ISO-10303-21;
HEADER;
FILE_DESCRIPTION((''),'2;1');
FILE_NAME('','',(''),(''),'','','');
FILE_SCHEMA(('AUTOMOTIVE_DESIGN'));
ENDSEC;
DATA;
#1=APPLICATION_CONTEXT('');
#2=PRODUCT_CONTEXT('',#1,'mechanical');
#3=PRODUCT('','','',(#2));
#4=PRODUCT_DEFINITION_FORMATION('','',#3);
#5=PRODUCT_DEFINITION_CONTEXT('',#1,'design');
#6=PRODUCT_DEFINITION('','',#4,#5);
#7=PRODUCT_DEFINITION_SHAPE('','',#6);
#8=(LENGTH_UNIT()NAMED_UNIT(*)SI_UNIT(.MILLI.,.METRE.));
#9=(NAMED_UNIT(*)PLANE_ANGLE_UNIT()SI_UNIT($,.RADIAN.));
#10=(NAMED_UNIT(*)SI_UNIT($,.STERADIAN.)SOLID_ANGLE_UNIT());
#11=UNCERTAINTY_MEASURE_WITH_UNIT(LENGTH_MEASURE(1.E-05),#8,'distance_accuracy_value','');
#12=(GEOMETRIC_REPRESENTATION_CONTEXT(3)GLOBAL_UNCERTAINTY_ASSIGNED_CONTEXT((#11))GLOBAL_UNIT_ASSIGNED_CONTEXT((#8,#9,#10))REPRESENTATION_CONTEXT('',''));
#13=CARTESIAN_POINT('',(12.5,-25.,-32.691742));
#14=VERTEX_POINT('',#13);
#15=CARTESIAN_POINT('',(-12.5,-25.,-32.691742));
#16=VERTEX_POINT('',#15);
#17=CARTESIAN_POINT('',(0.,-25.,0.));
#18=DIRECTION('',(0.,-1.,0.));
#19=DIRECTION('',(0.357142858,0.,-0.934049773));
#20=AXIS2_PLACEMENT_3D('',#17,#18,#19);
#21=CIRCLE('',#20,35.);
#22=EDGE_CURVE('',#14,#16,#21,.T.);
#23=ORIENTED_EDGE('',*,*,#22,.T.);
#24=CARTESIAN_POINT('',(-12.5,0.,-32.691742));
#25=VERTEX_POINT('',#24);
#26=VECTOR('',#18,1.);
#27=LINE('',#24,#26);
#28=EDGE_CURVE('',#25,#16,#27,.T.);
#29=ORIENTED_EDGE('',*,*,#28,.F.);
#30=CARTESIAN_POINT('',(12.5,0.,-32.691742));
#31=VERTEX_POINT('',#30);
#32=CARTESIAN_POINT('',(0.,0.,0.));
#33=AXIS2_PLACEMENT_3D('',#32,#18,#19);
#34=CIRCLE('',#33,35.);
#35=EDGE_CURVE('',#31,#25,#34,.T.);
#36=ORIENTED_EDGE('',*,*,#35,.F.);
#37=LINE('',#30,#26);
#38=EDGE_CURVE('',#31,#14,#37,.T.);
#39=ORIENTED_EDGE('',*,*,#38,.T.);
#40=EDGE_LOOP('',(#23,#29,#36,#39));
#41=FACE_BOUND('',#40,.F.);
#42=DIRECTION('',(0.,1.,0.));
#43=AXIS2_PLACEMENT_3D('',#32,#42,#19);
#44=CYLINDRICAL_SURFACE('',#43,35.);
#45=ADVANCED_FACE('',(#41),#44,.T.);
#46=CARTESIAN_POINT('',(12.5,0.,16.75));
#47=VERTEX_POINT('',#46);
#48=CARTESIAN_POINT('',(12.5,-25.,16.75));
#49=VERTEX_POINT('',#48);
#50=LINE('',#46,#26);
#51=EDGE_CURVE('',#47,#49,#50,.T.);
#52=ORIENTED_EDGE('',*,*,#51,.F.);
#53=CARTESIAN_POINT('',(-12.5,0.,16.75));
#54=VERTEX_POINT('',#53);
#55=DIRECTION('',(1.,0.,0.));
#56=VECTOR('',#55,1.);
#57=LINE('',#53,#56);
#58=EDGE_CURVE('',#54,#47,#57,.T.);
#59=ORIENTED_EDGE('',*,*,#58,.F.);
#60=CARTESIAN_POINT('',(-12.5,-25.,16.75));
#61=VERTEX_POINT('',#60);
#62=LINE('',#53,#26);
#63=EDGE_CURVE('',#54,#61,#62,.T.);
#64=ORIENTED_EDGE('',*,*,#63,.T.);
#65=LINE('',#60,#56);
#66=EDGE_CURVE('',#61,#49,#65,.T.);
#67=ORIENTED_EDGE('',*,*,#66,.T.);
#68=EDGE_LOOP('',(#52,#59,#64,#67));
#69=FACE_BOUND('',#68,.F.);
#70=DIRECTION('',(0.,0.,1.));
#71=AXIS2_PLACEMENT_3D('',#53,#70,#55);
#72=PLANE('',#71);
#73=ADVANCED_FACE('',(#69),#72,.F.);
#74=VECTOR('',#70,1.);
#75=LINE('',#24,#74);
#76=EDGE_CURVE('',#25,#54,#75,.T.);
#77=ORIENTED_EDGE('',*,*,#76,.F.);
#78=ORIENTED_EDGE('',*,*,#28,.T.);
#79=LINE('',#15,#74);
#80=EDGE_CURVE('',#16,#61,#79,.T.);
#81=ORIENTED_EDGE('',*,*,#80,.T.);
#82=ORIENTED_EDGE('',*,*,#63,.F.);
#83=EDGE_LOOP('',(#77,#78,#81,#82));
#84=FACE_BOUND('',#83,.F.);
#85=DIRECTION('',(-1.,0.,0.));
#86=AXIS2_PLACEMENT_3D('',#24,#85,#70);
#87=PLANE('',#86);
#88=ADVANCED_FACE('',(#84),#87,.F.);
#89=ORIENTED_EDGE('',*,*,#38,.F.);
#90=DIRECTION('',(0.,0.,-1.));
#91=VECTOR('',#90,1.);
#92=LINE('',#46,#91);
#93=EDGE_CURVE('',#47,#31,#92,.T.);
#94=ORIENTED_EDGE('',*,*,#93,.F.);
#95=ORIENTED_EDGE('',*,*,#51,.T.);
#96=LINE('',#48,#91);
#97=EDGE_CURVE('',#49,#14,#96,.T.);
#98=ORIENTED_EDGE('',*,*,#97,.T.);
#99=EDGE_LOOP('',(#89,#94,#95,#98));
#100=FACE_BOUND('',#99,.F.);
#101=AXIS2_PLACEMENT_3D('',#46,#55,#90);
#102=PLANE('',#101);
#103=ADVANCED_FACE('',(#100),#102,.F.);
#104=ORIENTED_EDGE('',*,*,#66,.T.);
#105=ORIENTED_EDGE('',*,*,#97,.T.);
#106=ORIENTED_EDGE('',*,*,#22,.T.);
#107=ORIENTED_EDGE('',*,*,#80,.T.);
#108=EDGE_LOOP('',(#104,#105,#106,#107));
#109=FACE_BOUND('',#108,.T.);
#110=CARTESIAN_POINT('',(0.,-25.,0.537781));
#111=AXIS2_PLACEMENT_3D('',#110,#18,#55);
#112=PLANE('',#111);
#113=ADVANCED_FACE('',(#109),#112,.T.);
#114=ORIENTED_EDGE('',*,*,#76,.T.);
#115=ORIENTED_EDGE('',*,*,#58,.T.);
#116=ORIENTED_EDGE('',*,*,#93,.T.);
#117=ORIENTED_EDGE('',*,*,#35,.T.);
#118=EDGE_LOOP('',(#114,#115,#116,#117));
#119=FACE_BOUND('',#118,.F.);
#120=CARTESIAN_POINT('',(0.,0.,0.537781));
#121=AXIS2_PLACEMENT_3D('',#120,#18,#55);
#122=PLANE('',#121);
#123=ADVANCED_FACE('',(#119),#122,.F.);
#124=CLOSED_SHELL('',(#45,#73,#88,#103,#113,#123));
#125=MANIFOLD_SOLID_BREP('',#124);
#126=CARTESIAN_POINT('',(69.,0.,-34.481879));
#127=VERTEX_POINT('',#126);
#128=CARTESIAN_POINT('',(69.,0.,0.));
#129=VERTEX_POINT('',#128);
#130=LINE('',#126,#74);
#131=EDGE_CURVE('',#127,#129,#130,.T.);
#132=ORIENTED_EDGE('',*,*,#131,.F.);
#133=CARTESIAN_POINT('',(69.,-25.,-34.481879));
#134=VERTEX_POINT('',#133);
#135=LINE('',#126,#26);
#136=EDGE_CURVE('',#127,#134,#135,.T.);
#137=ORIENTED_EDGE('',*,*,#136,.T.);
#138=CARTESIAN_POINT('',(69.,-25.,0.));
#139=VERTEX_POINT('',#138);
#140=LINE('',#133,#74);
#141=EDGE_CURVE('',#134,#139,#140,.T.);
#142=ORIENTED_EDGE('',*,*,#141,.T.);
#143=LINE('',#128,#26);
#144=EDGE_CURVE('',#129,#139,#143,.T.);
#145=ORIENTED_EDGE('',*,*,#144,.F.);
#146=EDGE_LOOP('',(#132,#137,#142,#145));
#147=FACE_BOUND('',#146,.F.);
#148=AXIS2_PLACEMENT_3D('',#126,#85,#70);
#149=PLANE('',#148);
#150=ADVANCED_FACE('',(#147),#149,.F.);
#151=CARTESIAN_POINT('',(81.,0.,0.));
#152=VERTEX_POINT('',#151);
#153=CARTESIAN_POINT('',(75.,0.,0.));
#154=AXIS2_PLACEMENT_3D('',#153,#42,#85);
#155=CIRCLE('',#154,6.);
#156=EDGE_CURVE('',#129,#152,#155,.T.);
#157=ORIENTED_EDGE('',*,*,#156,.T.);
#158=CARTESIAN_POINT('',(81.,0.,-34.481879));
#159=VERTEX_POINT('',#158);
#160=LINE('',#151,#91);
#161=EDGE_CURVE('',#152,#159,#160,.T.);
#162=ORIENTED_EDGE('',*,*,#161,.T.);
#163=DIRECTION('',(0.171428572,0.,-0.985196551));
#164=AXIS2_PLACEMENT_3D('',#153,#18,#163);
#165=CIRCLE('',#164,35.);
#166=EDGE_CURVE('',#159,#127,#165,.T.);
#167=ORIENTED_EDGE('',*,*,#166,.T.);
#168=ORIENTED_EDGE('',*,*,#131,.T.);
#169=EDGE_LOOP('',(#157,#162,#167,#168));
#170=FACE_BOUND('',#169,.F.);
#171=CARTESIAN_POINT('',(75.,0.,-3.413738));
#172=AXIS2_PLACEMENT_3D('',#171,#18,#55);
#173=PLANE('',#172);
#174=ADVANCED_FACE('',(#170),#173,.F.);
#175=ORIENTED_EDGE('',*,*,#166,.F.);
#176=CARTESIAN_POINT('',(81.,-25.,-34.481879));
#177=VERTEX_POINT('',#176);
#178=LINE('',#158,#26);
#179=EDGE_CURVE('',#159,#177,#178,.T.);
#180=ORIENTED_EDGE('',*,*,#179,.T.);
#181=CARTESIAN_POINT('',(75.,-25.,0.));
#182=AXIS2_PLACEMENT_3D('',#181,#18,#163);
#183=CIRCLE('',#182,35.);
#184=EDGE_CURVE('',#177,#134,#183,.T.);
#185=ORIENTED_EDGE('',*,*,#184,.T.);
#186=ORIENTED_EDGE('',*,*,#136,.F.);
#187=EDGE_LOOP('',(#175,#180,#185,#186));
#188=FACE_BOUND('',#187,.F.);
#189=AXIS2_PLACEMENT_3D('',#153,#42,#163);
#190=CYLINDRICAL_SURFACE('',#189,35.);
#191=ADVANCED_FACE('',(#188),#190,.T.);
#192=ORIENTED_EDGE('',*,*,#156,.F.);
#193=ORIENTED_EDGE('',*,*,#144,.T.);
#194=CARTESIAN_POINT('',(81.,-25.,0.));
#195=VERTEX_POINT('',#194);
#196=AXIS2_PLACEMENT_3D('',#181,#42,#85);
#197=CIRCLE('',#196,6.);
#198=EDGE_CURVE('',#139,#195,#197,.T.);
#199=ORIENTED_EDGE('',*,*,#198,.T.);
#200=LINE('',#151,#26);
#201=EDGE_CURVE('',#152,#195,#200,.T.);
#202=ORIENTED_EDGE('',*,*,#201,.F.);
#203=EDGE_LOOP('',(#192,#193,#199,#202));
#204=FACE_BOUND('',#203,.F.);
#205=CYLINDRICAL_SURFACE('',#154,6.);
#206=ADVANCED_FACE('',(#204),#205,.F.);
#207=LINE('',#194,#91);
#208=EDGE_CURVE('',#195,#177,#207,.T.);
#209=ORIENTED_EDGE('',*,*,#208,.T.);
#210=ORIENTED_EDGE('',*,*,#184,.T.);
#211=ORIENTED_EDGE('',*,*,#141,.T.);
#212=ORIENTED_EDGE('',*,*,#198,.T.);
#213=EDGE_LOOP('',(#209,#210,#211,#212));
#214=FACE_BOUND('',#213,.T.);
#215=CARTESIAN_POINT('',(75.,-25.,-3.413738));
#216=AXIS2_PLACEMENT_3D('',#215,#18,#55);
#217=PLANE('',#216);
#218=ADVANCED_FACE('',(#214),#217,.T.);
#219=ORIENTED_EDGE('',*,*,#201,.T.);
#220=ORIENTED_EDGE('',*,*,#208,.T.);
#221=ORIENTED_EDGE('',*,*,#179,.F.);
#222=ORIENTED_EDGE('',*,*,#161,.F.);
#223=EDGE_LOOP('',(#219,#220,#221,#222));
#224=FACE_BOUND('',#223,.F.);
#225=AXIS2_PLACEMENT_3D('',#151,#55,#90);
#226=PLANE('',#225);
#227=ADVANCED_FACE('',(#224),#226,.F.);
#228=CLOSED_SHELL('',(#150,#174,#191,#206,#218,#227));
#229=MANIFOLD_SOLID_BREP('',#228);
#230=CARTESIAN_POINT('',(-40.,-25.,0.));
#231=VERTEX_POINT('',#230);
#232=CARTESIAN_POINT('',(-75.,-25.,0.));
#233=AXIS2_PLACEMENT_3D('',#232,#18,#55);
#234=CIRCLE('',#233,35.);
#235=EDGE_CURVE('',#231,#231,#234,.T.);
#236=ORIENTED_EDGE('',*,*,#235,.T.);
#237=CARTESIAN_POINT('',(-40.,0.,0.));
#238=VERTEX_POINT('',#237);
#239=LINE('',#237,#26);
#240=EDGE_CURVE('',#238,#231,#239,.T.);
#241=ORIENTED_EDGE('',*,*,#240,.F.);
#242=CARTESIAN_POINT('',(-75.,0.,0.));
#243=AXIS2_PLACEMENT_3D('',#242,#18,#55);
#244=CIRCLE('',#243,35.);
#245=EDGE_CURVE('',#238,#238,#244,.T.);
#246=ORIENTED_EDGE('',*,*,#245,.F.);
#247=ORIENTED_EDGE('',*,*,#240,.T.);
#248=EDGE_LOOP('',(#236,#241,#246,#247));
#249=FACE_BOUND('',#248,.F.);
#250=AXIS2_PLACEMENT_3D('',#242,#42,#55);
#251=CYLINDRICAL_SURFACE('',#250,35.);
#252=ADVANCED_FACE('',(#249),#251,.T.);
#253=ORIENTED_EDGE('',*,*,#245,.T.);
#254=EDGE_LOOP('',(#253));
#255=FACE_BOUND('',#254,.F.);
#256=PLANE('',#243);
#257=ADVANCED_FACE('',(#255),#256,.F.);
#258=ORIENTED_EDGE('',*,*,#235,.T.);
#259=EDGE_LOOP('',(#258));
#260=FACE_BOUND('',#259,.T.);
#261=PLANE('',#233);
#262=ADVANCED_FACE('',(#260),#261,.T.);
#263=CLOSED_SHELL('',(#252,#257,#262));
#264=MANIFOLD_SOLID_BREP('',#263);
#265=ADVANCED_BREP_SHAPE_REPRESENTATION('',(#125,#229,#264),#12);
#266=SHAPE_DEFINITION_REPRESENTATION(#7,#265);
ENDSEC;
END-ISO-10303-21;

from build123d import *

# Parameters (mm, degrees)
F0_R     = 35
F1_DEPTH = 25


with BuildPart() as f1:
    # F0 (on Front) → F1 (new body)
    with BuildSketch(Plane.XZ):
        with Locations((-75, 0)):
            Circle(F0_R)
        with BuildLine():
            Line((81, 0), (81, -34.481879))
            ThreePointArc((81, -34.481879), (75, 35), (69, -34.481879))
            Line((69, -34.481879), (69, 0))
            ThreePointArc((69, 0), (75, 6), (81, 0))
        make_face()
        with BuildLine():
            Line((12.5, -16.75), (12.5, -32.691742))
            ThreePointArc((12.5, -32.691742), (0, 35), (-12.5, -32.691742))
            Line((-12.5, -32.691742), (-12.5, -16.75))
            Line((-12.5, -16.75), (-12.5, 16.75))
            Line((-12.5, 16.75), (12.5, 16.75))
            Line((12.5, 16.75), (12.5, -16.75))
        make_face()
    extrude(amount=F1_DEPTH)


solid = f1.part
